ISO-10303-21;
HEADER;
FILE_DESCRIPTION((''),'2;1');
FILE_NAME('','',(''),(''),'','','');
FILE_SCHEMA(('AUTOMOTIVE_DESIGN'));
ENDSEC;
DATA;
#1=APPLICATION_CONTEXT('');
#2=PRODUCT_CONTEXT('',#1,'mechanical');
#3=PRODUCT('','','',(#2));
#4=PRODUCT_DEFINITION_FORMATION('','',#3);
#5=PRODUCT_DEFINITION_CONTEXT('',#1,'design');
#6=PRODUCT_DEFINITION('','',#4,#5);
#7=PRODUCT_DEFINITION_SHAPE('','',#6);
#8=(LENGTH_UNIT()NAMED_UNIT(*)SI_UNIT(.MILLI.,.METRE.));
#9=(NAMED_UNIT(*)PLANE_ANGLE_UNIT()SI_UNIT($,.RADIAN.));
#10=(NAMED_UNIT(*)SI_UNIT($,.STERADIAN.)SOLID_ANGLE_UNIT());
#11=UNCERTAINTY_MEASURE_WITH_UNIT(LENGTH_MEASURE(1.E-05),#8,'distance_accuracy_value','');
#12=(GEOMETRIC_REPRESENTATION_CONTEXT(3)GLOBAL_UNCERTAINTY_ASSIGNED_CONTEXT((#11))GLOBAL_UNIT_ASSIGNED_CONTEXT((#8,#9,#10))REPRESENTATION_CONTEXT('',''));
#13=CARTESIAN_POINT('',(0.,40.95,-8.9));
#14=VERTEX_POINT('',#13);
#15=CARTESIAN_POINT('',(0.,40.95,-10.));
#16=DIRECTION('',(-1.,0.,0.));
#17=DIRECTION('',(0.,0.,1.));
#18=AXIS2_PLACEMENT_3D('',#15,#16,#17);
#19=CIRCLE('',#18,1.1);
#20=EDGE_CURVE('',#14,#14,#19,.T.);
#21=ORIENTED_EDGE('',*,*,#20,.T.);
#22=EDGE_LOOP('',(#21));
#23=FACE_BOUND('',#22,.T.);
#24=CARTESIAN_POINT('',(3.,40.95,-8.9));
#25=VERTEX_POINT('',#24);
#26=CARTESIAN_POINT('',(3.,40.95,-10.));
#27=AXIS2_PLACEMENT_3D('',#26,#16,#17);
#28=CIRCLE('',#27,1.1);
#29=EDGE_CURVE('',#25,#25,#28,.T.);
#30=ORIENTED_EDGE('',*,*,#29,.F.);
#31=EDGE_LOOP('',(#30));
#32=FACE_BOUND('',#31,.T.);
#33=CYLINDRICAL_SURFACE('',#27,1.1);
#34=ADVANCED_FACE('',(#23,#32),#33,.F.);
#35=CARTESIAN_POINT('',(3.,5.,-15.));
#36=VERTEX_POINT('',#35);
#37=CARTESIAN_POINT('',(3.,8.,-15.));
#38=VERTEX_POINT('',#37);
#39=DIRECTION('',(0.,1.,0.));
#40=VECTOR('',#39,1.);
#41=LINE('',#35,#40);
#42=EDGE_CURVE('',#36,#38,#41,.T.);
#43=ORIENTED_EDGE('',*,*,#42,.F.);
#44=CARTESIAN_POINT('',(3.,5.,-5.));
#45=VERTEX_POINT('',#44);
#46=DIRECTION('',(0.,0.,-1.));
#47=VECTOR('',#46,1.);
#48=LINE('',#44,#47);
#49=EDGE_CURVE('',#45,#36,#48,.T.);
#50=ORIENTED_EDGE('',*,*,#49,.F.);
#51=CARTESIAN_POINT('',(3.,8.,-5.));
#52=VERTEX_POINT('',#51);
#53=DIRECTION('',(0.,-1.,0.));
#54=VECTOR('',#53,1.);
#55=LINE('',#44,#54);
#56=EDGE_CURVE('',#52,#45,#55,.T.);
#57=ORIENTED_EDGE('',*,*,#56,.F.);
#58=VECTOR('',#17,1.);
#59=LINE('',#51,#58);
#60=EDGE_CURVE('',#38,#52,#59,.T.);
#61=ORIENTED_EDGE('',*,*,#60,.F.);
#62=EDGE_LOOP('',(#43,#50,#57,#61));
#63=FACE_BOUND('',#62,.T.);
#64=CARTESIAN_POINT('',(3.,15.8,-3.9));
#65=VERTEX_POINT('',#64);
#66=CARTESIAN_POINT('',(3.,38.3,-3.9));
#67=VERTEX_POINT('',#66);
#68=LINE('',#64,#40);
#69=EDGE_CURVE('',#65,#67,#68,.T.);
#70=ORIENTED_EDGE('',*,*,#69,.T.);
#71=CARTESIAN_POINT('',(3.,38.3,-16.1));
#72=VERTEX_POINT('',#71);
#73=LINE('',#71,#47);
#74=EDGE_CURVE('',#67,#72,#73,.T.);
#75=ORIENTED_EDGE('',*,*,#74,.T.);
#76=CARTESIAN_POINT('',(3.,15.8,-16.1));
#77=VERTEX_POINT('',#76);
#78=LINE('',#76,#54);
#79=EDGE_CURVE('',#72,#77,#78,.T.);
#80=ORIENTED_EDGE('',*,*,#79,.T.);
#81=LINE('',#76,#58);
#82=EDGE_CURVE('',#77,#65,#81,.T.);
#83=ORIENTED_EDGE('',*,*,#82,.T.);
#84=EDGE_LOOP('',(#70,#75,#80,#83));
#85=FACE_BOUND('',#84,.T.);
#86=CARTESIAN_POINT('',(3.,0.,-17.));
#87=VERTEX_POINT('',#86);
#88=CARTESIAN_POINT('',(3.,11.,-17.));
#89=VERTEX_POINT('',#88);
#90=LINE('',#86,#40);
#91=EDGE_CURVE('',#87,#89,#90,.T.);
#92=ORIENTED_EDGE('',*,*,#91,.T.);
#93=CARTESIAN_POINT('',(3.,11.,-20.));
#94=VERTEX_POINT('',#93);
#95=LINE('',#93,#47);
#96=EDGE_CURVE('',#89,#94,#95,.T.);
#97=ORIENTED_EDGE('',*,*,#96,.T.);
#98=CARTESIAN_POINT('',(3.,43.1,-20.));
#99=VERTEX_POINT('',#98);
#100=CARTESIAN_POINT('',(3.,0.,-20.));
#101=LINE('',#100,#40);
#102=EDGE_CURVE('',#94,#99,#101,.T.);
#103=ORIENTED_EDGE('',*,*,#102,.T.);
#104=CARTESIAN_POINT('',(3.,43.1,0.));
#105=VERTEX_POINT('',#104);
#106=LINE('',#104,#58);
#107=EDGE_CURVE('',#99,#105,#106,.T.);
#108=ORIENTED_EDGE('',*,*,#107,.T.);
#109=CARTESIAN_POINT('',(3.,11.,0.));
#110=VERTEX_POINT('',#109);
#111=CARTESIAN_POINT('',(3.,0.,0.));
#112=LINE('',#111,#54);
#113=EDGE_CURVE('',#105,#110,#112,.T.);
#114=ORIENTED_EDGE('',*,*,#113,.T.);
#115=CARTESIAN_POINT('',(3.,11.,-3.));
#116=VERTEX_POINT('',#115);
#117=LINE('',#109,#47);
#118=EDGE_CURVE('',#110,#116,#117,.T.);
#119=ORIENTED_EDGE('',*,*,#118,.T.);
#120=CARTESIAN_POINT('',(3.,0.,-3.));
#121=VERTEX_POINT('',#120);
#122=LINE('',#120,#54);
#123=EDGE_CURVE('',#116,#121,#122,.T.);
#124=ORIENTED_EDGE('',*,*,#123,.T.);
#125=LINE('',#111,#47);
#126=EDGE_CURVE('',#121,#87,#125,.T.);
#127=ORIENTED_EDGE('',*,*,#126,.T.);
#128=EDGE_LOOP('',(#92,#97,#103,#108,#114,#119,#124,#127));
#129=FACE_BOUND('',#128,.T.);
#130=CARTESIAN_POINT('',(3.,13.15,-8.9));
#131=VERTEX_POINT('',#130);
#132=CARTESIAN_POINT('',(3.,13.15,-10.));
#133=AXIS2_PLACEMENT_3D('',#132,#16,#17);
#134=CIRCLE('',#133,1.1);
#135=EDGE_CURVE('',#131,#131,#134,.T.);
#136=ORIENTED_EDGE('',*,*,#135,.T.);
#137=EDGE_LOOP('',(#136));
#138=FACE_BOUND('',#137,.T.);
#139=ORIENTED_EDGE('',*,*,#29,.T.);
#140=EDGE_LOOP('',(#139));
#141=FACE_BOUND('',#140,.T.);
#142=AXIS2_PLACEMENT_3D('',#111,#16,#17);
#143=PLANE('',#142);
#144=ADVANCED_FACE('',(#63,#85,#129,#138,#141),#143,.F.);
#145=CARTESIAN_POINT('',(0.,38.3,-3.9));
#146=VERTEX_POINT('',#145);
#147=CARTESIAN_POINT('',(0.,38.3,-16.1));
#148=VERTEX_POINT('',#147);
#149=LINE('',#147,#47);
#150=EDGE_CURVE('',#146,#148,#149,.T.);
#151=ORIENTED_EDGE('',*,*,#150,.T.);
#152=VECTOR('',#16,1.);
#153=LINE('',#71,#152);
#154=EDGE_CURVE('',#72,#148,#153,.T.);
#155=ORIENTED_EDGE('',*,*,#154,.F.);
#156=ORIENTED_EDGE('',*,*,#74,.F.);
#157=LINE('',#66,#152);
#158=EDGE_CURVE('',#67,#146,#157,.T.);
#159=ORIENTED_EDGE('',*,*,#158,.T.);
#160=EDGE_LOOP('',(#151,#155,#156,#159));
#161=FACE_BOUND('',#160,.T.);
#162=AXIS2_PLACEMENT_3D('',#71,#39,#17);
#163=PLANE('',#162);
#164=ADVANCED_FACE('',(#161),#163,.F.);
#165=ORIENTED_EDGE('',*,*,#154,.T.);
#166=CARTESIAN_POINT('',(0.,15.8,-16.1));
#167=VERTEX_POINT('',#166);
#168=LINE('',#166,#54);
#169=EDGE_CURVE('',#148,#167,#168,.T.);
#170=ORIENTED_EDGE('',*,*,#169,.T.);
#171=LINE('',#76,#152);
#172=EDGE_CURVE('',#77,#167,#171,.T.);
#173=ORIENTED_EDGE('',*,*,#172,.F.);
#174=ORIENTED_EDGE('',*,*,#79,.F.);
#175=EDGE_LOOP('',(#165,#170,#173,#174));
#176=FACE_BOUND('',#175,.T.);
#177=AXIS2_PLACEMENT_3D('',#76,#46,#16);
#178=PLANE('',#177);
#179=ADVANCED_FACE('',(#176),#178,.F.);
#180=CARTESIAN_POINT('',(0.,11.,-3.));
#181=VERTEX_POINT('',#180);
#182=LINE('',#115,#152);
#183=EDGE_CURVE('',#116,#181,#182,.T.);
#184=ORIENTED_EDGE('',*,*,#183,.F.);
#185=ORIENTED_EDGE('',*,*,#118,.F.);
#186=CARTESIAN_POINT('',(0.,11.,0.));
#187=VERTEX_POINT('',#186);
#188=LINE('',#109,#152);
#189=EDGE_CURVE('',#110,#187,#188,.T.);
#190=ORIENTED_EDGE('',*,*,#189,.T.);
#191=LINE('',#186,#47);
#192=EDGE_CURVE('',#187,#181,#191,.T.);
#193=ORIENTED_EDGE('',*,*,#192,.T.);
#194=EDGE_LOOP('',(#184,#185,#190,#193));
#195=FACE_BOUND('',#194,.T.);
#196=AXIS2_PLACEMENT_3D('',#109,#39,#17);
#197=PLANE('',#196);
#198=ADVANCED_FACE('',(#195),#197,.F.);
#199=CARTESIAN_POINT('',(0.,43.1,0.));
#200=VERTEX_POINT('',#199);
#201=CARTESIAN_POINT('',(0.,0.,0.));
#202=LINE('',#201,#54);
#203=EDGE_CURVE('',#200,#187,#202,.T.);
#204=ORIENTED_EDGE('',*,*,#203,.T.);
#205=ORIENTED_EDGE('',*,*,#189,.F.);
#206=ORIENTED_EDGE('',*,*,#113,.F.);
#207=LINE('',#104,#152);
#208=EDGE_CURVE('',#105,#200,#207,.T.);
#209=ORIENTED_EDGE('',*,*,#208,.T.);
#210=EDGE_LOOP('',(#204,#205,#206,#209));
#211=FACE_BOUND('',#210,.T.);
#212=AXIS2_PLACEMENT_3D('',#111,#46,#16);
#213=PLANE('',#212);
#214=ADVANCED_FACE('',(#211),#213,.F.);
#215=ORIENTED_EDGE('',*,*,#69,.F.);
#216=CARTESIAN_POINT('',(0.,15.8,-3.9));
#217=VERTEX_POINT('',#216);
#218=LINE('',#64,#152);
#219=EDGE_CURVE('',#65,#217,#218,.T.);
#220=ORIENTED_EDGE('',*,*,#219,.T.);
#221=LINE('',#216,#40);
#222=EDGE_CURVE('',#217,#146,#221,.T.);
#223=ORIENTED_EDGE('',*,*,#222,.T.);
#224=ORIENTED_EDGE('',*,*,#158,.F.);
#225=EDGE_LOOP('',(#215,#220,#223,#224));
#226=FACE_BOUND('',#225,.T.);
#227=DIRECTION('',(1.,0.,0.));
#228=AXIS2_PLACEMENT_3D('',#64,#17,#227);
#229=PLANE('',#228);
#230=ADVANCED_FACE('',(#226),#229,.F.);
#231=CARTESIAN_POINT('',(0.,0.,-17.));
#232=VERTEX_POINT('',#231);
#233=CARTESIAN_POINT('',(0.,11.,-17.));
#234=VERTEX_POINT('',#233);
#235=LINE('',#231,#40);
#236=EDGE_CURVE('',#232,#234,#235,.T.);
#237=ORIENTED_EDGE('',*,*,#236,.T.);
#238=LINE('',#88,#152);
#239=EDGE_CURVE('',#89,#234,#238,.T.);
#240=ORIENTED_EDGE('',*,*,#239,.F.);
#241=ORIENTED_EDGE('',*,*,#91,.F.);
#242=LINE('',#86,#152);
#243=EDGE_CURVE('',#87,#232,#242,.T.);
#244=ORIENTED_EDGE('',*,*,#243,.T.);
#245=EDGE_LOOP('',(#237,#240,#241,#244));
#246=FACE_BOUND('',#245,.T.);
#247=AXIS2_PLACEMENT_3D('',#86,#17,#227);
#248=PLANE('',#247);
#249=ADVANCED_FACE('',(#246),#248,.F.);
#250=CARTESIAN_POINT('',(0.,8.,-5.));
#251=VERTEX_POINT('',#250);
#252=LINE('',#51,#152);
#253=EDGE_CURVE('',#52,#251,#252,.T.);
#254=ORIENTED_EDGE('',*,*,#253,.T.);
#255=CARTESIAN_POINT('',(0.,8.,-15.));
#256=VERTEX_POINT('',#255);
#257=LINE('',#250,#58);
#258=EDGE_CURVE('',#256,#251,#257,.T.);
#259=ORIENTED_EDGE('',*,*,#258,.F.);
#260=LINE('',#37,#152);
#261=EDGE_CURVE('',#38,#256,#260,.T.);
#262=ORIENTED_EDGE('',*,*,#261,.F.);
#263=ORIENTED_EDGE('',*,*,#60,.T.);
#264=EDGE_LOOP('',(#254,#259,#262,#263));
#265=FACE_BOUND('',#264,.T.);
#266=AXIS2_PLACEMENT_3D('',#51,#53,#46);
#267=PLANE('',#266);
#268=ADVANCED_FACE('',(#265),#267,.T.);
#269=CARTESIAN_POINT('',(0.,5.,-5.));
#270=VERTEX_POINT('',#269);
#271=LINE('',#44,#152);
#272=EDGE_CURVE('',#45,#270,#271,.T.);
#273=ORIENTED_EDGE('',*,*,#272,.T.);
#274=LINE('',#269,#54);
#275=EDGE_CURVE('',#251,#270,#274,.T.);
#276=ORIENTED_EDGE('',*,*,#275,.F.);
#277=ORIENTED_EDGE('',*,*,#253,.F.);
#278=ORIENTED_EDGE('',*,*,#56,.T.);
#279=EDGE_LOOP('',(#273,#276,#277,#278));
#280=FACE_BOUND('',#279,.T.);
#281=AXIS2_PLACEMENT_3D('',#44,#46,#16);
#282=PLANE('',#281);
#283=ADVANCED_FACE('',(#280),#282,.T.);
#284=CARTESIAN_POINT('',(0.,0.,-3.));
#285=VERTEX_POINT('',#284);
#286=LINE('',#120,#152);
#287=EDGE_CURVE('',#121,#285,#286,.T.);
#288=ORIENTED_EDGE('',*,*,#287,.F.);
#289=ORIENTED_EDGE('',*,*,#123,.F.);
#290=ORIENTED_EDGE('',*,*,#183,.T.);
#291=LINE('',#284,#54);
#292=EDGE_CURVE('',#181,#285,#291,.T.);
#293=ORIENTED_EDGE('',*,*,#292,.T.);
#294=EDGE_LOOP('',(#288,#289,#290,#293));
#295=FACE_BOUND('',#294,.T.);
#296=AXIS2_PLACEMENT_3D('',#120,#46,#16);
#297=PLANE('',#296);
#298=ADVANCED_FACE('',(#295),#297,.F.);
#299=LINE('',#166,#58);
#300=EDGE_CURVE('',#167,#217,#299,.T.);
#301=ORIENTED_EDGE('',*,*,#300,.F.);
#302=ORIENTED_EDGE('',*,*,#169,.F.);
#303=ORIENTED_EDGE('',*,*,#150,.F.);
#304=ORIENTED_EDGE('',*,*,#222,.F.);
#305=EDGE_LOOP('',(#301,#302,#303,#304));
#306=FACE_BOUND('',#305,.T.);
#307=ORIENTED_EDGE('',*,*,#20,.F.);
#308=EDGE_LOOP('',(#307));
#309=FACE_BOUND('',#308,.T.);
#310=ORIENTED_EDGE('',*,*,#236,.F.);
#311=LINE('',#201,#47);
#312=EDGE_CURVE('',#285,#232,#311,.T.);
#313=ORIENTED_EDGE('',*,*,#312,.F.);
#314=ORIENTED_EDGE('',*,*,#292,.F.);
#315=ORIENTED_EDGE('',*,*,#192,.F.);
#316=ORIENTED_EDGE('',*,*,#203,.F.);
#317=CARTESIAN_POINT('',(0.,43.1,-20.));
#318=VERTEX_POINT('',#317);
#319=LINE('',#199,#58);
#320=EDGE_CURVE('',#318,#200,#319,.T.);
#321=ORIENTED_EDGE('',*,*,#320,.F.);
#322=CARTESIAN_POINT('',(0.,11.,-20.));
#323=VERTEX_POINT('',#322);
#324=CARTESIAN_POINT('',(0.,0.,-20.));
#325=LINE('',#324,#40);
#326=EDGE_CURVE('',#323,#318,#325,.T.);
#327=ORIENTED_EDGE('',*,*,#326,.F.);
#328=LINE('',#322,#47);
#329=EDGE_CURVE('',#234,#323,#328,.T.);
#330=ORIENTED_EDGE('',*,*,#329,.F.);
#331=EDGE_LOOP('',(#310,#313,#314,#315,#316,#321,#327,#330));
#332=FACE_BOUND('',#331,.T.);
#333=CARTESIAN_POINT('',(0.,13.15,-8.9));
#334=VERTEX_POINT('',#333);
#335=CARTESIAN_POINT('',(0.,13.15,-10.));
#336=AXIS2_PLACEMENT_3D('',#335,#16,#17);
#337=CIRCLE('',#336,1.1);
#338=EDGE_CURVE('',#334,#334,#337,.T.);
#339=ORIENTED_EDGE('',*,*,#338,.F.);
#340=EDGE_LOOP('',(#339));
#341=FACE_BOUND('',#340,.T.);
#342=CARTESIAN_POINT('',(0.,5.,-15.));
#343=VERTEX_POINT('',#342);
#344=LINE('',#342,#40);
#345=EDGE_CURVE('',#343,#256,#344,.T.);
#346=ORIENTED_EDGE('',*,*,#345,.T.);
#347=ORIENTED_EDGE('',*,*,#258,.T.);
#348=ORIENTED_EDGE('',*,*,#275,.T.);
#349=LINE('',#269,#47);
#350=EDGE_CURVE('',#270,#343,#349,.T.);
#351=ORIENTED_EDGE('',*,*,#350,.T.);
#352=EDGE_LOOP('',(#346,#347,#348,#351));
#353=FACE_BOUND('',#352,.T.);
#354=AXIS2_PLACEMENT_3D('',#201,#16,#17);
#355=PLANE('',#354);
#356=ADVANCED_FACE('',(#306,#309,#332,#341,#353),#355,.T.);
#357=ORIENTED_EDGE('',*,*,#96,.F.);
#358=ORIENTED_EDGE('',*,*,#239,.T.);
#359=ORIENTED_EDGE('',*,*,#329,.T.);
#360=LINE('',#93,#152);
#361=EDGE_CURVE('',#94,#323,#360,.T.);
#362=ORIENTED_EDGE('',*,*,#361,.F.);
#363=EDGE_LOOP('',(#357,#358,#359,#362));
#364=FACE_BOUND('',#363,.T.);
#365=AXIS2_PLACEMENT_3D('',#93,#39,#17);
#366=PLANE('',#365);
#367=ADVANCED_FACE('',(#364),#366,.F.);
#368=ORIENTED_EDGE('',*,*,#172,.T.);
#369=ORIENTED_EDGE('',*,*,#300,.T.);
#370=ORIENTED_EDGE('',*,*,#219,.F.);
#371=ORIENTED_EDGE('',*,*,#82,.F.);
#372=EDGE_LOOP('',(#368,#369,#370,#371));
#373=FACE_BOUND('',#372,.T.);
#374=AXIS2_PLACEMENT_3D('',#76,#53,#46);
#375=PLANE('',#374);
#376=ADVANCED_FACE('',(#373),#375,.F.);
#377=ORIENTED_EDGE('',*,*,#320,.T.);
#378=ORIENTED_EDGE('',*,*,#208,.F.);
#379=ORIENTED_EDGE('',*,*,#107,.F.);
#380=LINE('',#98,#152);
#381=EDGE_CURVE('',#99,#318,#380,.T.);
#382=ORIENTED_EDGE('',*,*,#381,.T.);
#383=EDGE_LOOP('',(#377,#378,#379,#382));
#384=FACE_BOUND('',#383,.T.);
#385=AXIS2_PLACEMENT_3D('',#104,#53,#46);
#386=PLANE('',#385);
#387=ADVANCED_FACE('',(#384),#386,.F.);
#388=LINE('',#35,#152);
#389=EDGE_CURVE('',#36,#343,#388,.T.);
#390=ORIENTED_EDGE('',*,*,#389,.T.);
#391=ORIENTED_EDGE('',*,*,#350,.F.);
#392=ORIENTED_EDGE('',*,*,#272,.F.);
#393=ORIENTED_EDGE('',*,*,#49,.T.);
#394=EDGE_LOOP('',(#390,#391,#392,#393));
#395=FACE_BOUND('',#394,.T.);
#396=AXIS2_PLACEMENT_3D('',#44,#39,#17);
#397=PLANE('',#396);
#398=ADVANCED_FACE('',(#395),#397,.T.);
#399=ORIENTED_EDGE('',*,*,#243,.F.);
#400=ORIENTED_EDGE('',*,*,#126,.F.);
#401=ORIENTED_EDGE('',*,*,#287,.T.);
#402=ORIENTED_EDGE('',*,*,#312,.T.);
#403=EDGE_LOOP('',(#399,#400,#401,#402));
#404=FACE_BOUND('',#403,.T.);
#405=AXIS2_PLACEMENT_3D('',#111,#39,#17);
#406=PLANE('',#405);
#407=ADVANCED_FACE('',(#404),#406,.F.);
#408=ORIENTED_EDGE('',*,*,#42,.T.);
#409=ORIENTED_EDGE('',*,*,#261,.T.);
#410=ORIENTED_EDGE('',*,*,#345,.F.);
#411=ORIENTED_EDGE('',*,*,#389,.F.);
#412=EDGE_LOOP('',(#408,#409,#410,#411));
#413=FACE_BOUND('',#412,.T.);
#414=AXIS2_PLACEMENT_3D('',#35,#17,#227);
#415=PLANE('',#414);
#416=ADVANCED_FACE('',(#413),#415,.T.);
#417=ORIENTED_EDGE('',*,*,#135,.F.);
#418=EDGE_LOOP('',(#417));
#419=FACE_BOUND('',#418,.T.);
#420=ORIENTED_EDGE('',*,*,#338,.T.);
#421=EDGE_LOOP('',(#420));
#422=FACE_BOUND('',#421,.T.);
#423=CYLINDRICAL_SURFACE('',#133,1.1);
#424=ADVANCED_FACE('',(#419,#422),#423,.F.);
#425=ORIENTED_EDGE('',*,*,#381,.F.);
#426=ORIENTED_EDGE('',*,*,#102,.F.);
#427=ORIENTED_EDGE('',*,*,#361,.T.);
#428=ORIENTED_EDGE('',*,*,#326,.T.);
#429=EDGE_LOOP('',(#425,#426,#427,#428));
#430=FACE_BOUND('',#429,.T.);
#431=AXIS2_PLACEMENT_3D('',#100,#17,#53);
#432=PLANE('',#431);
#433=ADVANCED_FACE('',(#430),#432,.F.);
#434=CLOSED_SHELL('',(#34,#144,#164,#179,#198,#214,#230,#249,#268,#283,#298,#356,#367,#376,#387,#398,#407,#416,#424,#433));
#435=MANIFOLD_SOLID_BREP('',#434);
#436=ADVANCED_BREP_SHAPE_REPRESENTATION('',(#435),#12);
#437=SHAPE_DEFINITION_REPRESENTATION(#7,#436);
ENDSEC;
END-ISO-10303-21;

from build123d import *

# Parameters (mm, degrees)
SKETCH1_W           = 20
SKETCH1_H           = 43.1
SKETCH1_W_2         = 10
SKETCH1_H_2         = 3
BOSS_EXTRUDE1_DEPTH = 3
SKETCH2_R           = 1.1
SKETCH2_W           = 12.2
SKETCH2_H           = 22.5
SKETCH2_W_2         = 3
SKETCH2_H_2         = 11
CUT_EXTRUDE1_DEPTH  = 3


with BuildPart() as part:
    # Sketch1 → Boss-Extrude1 (new body)
    with BuildSketch(Plane(origin=(0, 0, 0), x_dir=(0, 0, -1), z_dir=(1, 0, 0))):
        with Locations((10, 21.55)):
            Rectangle(SKETCH1_W, SKETCH1_H)
        with Locations((10, 6.5)):
            Rectangle(SKETCH1_W_2, SKETCH1_H_2, mode=Mode.SUBTRACT)
    extrude(amount=BOSS_EXTRUDE1_DEPTH)

    # Sketch2 → Cut-Extrude1 (cut)
    with BuildSketch(Plane.ZY):
        with Locations((-10, 40.95)):
            Circle(SKETCH2_R)
        with Locations((-10, 13.15)):
            Circle(SKETCH2_R)
        with Locations((-10, 27.05)):
            Rectangle(SKETCH2_W, SKETCH2_H)
        with Locations((-18.5, 5.5)):
            Rectangle(SKETCH2_W_2, SKETCH2_H_2)
        with Locations((-1.5, 5.5)):
            Rectangle(SKETCH2_W_2, SKETCH2_H_2)
    extrude(amount=-CUT_EXTRUDE1_DEPTH, mode=Mode.SUBTRACT)


solid = part.part
